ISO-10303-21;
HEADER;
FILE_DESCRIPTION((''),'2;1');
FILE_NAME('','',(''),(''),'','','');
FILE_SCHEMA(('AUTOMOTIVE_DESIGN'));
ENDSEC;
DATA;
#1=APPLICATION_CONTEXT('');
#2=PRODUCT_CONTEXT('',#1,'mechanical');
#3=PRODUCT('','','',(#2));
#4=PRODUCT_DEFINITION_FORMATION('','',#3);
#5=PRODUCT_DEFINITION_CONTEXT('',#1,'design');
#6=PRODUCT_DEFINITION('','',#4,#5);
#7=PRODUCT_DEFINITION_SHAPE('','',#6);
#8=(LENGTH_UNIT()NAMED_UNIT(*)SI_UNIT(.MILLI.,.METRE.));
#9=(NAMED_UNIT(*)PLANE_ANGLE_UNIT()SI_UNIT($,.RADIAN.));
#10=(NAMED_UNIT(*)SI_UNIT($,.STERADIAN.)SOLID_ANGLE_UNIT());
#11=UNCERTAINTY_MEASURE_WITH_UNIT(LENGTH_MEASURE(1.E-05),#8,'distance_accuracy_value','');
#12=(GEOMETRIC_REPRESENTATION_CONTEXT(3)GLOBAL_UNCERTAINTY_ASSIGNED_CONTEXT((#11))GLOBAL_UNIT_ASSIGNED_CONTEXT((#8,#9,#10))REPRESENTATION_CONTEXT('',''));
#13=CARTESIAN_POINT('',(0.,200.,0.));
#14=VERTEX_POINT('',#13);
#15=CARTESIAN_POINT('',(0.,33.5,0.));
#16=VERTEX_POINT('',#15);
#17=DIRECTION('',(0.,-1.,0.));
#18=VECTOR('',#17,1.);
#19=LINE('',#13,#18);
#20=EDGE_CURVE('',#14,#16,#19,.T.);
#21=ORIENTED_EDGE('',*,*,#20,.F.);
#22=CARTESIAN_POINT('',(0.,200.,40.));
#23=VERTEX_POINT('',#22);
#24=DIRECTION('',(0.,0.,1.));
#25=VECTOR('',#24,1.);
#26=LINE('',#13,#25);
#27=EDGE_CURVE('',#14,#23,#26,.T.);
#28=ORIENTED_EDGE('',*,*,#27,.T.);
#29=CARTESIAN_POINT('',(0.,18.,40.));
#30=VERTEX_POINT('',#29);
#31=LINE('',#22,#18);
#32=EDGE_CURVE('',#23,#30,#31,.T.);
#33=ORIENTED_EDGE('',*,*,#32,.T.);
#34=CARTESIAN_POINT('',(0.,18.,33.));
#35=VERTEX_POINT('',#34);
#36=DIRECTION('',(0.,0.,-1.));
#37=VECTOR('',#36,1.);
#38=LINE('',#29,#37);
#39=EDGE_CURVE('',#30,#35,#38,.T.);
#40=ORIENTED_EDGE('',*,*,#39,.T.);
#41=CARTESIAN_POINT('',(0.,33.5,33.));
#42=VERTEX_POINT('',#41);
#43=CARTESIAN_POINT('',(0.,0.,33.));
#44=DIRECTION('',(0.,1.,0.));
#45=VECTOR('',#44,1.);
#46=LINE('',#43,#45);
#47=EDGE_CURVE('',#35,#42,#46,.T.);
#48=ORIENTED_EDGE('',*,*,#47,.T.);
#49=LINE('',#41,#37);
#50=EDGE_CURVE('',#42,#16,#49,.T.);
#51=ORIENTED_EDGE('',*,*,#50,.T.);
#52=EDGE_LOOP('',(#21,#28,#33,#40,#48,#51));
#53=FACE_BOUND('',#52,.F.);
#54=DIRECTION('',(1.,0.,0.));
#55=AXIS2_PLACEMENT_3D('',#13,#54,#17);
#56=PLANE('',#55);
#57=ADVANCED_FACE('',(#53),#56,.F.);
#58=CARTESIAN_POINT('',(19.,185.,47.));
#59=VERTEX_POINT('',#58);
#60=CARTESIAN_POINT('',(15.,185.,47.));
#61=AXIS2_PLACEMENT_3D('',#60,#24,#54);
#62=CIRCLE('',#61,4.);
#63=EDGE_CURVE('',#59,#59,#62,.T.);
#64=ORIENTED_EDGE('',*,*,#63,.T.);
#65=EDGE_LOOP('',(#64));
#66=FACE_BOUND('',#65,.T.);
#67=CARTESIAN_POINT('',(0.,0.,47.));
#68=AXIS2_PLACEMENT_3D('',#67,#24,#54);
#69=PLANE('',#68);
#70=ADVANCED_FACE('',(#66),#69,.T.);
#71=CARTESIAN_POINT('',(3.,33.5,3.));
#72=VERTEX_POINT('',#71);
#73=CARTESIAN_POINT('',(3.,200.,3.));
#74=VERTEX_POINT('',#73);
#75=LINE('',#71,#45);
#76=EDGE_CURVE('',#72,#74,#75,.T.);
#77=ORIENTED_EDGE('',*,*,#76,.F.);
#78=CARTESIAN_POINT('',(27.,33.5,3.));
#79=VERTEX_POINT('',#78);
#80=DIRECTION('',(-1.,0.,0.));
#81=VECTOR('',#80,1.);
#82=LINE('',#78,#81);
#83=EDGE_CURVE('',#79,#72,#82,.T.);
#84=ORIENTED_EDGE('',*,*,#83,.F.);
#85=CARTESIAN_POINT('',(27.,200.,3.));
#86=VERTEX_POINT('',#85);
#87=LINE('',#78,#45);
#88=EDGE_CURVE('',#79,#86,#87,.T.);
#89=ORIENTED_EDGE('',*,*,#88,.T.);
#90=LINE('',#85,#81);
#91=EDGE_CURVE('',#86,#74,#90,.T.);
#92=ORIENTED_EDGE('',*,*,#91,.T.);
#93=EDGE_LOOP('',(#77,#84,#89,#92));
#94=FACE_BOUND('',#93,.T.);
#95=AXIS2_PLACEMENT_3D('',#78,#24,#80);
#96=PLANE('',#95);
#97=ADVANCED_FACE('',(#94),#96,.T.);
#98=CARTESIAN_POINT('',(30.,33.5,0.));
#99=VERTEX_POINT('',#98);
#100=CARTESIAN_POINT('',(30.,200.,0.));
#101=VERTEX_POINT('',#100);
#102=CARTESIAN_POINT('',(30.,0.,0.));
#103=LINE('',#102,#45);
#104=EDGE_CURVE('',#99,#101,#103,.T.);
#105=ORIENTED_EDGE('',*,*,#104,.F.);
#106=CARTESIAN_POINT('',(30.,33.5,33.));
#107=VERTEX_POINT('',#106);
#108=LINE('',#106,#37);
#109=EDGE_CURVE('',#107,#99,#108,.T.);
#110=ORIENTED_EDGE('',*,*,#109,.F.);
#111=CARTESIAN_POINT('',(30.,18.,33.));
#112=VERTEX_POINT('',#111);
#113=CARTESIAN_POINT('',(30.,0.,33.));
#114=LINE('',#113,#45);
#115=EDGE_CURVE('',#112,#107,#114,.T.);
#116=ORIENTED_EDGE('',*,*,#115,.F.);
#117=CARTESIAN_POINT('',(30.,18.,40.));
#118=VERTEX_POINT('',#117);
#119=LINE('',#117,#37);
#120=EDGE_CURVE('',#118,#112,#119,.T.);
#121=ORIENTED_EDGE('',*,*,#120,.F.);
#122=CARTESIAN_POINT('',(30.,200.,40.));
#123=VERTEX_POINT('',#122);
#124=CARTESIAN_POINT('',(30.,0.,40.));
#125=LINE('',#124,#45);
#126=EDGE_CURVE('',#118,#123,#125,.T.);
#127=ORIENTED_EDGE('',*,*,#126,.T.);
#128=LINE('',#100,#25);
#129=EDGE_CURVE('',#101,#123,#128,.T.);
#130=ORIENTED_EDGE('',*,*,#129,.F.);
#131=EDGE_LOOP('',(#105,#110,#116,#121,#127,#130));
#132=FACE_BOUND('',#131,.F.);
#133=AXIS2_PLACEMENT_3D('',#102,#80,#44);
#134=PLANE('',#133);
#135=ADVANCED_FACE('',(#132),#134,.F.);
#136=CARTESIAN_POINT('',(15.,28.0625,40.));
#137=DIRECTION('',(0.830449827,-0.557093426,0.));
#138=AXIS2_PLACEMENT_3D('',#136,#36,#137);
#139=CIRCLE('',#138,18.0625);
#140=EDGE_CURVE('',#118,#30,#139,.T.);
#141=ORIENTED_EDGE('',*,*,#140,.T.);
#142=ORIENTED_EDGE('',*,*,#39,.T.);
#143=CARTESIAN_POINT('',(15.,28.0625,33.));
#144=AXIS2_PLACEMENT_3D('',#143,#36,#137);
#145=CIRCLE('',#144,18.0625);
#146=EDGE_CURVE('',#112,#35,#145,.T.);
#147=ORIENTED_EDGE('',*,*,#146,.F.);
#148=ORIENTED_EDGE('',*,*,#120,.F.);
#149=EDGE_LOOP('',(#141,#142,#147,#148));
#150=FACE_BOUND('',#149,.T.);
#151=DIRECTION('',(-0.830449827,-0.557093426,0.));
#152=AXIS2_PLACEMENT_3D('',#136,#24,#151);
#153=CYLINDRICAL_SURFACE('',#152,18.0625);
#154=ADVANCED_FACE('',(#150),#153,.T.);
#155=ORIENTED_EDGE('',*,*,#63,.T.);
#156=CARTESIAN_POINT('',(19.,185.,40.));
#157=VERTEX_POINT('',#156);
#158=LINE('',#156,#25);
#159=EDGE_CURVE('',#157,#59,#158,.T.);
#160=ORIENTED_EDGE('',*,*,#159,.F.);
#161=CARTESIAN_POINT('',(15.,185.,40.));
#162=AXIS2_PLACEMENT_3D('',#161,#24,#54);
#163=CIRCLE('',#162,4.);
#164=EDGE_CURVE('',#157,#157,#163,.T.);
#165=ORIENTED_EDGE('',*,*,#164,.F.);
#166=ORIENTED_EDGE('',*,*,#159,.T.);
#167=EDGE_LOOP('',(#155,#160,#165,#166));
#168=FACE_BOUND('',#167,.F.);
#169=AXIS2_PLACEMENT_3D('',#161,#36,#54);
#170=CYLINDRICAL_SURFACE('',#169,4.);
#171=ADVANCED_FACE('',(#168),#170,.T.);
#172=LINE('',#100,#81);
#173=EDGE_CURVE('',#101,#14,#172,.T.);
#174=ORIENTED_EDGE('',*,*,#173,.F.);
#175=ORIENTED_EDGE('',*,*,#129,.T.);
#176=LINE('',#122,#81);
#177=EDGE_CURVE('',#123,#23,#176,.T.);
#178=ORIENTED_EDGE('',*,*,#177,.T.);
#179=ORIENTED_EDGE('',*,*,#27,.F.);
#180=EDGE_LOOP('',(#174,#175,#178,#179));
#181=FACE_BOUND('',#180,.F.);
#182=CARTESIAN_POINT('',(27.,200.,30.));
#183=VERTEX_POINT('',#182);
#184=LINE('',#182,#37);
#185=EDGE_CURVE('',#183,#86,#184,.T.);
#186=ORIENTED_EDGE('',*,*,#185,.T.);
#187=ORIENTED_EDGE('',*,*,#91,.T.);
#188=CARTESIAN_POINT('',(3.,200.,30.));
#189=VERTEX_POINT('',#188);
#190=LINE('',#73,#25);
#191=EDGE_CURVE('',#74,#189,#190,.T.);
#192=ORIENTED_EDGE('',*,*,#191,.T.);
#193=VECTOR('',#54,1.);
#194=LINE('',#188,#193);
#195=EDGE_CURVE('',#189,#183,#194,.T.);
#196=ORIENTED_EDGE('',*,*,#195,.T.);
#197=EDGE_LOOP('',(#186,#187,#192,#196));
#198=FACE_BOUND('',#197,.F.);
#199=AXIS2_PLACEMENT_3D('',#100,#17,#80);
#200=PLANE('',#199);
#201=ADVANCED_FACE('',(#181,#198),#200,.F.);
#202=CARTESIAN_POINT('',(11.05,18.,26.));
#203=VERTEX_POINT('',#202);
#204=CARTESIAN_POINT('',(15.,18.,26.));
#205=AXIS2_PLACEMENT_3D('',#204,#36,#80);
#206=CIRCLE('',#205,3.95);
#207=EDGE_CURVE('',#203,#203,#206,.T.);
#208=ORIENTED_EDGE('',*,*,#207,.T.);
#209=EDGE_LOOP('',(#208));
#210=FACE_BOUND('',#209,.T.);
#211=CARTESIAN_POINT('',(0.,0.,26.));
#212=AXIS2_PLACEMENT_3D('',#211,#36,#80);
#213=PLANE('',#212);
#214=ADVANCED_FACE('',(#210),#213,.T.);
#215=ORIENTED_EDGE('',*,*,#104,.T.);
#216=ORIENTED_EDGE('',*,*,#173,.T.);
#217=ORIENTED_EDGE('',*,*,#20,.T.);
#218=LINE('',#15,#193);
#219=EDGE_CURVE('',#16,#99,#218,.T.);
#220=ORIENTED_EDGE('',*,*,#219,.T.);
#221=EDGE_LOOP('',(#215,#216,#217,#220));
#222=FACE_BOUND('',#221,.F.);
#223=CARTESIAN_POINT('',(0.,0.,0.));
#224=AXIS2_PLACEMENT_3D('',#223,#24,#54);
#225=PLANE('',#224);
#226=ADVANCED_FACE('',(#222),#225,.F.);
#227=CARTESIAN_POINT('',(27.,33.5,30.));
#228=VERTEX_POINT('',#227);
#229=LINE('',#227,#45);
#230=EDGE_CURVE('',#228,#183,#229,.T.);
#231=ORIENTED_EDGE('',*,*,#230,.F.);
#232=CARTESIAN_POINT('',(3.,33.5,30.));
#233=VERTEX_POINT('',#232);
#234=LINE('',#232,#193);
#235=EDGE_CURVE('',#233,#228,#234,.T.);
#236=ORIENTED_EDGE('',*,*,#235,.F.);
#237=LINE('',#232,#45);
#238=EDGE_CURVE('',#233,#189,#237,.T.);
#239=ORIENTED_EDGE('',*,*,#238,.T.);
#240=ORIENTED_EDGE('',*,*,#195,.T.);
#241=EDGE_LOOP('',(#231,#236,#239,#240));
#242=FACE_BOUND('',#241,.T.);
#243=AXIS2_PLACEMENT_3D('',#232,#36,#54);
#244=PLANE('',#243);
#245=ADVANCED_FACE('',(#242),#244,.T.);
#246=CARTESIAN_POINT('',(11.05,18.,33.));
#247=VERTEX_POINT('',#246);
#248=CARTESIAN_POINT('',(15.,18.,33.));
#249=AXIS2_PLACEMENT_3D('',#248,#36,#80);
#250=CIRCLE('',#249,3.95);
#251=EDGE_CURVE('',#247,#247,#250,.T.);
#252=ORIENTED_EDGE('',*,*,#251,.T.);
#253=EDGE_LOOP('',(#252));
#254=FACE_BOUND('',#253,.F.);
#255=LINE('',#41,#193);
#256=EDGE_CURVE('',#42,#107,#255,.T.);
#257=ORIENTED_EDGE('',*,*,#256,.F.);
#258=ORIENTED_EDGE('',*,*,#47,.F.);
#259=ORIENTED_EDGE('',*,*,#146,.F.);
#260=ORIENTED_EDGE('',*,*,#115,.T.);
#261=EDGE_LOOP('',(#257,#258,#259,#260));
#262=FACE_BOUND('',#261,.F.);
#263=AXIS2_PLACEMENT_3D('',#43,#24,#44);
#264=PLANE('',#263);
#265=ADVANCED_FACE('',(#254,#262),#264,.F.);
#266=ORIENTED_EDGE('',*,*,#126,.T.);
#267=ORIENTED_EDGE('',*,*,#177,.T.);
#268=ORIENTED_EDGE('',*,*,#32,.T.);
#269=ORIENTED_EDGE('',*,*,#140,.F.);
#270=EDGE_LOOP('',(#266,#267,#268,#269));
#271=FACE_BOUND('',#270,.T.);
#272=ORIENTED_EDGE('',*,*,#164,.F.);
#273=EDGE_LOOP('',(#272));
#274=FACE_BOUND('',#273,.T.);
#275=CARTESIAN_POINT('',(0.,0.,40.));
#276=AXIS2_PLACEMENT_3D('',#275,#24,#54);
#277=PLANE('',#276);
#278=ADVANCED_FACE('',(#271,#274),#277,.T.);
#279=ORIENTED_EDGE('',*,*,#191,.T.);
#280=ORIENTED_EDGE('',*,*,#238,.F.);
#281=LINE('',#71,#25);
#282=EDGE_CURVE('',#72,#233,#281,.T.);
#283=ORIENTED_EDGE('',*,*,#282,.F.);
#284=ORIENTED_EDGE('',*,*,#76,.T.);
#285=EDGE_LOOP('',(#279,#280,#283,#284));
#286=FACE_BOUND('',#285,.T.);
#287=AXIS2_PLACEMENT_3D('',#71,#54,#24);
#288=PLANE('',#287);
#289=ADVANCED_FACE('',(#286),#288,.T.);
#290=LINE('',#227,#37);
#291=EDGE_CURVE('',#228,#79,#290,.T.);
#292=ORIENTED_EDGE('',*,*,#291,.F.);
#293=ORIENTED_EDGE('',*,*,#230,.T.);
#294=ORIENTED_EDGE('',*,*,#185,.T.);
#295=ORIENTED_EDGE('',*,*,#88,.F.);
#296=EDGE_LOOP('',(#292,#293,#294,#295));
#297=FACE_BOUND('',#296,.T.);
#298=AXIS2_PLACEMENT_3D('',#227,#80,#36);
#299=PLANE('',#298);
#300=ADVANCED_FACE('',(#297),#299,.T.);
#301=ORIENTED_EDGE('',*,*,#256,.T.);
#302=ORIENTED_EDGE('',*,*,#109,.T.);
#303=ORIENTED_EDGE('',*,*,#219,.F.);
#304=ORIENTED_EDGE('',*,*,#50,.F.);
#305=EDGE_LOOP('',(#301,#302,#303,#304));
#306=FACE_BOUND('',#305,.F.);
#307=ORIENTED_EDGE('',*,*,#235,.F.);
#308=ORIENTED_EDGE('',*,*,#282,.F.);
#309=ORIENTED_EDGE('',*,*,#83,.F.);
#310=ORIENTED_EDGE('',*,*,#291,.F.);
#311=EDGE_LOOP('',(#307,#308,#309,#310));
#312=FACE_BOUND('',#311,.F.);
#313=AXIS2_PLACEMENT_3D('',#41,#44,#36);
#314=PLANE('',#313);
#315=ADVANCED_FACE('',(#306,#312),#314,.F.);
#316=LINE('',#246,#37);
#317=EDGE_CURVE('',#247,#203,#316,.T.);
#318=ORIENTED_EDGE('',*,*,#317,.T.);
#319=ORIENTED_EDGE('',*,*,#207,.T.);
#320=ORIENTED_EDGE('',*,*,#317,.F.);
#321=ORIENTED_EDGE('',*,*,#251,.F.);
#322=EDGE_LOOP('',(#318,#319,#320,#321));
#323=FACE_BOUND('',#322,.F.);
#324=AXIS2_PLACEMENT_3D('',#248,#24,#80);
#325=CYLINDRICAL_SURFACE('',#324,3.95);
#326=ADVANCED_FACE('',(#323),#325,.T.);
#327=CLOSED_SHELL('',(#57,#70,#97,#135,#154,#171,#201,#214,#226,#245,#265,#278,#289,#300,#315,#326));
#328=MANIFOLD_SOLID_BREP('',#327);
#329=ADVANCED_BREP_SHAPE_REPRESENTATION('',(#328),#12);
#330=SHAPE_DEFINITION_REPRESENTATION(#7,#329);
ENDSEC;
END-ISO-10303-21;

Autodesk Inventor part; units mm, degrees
ref_plane "YZ Plane" through (0, 0, 0) normal (1, 0, 0) x (0, 1, 0)
ref_plane "XZ Plane" through (0, 0, 0) normal (0, 1, 0) x (-1, 0, 0)
ref_plane "XY Plane" through (0, 0, 0) normal (0, 0, 1) x (1, 0, 0)
sketch "Sketch1" plane through (0, 0, 0) normal (0, 0, 1) x (1, 0, 0)
  line L0 (0, 0) -> (30, 0)
  line L1 (30, 0) -> (30, 200)
  line L2 (30, 200) -> (0, 200)
  line L3 (0, 200) -> (0, 0)
  dimension "d0" = 30
  dimension "d1" = 200
extrude "Extrusion1" add sketch "Sketch1" along normal blind 40
sketch "Sketch2" plane through (0, 0, 0) normal (-1, 0, 0) x (0, 0, 1)
  line L0 (0, 0) -> (33, 0)
  line L1 (33, 0) -> (33, 33.5)
  line L2 (33, 33.5) -> (0, 33.5)
  line L3 (0, 33.5) -> (0, 0)
  dimension "d4" = 33
  dimension "d5" = 33.5
extrude "Extrusion2" cut sketch "Sketch2" against normal up to surface (30 mm away)
sketch "Sketch3" plane through (0, 0, 33) normal (0, 0, -1) x (-1, 0, 0)
  circle A0 centre (-15, 18) radius 3.95
  line L0 (0, 0) -> (-30, 0) projected
  line L1 (0, 33.5) -> (0, 0) projected
  dimension "d8" = 7.9
  dimension "d9" = 18
  dimension "d10" = 15
extrude "Extrusion3" add sketch "Sketch3" along normal blind 7
sketch "Sketch5" plane through (0, 0, 40) normal (0, 0, 1) x (1, 0, 0)
  line L0 (0, 33.5) -> (0, 0) projected
  line L1 (30, 0) -> (30, 200) projected
  line L2 (0, 0) -> (30, 0)
  line L3 (30, 0) -> (30, 10)
  line L4 (30, 10) -> (0, 10)
  line L5 (0, 10) -> (0, 0)
  dimension "d16" = 10
extrude "Extrusion5" cut sketch "Sketch5" against normal up to surface (7 mm away)
sketch "Sketch7" plane through (0, 0, 40) normal (0, 0, 1) x (1, 0, 0)
  circle A0 centre (15, 185) radius 4
  line L0 (30, 200) -> (0, 200) projected
  line L1 (30, 10) -> (30, 200) projected
  point P0 (0, 0)
  dimension "d19" = 8
  dimension "d22" = 15
  dimension "d23" = 15
extrude "Extrusion6" add sketch "Sketch7" along normal blind 7
sketch "Sketch8" plane through (0, 33.5, 0) normal (0, -1, 0) x (1, 0, 0)
  line L0 (30, 33) -> (30, 0) projected
  line L1 (0, 33) -> (30, 33) projected
  line L2 (0, 0) -> (0, 33) projected
  line L3 (30, 0) -> (0, 0) projected
  line L4 (3, 30) -> (27, 30)
  line L5 (27, 30) -> (27, 3)
  line L6 (27, 3) -> (3, 3)
  line L7 (3, 3) -> (3, 30)
  point P0 (0, 0)
  dimension "d24" = 3
extrude "Extrusion7" cut sketch "Sketch8" against normal up to surface (166.5 mm away) contours L4 L5 L6 L7
sketch "Sketch9" plane through (0, 0, 40) normal (0, 0, 1) x (1, 0, 0)
  circle A0 centre (15, 18) radius 3.95 projected
  line L0 (0, 200) -> (0, 10) projected
  line L1 (30, 10) -> (30, 33.5) projected
  arc A1 (0, 18) -> (30, 18) centre (15, 28.0625) ccw
  line L2 (30, 10) -> (0, 10) projected
  line L3 (0, 18) -> (0, 10)
  line L4 (0, 10) -> (30, 10)
  line L5 (30, 18) -> (30, 10)
  line L6 (15, 18) -> (15, 28.0625) construction
  point P0 (0, 0)
  point P1 (15, 10)
  dimension "d27" = 8
extrude "Extrusion8" cut sketch "Sketch9" against normal up to surface (7 mm away) contours A1 L2 L0 | A1 L1 L2
properties part number "arm1"
